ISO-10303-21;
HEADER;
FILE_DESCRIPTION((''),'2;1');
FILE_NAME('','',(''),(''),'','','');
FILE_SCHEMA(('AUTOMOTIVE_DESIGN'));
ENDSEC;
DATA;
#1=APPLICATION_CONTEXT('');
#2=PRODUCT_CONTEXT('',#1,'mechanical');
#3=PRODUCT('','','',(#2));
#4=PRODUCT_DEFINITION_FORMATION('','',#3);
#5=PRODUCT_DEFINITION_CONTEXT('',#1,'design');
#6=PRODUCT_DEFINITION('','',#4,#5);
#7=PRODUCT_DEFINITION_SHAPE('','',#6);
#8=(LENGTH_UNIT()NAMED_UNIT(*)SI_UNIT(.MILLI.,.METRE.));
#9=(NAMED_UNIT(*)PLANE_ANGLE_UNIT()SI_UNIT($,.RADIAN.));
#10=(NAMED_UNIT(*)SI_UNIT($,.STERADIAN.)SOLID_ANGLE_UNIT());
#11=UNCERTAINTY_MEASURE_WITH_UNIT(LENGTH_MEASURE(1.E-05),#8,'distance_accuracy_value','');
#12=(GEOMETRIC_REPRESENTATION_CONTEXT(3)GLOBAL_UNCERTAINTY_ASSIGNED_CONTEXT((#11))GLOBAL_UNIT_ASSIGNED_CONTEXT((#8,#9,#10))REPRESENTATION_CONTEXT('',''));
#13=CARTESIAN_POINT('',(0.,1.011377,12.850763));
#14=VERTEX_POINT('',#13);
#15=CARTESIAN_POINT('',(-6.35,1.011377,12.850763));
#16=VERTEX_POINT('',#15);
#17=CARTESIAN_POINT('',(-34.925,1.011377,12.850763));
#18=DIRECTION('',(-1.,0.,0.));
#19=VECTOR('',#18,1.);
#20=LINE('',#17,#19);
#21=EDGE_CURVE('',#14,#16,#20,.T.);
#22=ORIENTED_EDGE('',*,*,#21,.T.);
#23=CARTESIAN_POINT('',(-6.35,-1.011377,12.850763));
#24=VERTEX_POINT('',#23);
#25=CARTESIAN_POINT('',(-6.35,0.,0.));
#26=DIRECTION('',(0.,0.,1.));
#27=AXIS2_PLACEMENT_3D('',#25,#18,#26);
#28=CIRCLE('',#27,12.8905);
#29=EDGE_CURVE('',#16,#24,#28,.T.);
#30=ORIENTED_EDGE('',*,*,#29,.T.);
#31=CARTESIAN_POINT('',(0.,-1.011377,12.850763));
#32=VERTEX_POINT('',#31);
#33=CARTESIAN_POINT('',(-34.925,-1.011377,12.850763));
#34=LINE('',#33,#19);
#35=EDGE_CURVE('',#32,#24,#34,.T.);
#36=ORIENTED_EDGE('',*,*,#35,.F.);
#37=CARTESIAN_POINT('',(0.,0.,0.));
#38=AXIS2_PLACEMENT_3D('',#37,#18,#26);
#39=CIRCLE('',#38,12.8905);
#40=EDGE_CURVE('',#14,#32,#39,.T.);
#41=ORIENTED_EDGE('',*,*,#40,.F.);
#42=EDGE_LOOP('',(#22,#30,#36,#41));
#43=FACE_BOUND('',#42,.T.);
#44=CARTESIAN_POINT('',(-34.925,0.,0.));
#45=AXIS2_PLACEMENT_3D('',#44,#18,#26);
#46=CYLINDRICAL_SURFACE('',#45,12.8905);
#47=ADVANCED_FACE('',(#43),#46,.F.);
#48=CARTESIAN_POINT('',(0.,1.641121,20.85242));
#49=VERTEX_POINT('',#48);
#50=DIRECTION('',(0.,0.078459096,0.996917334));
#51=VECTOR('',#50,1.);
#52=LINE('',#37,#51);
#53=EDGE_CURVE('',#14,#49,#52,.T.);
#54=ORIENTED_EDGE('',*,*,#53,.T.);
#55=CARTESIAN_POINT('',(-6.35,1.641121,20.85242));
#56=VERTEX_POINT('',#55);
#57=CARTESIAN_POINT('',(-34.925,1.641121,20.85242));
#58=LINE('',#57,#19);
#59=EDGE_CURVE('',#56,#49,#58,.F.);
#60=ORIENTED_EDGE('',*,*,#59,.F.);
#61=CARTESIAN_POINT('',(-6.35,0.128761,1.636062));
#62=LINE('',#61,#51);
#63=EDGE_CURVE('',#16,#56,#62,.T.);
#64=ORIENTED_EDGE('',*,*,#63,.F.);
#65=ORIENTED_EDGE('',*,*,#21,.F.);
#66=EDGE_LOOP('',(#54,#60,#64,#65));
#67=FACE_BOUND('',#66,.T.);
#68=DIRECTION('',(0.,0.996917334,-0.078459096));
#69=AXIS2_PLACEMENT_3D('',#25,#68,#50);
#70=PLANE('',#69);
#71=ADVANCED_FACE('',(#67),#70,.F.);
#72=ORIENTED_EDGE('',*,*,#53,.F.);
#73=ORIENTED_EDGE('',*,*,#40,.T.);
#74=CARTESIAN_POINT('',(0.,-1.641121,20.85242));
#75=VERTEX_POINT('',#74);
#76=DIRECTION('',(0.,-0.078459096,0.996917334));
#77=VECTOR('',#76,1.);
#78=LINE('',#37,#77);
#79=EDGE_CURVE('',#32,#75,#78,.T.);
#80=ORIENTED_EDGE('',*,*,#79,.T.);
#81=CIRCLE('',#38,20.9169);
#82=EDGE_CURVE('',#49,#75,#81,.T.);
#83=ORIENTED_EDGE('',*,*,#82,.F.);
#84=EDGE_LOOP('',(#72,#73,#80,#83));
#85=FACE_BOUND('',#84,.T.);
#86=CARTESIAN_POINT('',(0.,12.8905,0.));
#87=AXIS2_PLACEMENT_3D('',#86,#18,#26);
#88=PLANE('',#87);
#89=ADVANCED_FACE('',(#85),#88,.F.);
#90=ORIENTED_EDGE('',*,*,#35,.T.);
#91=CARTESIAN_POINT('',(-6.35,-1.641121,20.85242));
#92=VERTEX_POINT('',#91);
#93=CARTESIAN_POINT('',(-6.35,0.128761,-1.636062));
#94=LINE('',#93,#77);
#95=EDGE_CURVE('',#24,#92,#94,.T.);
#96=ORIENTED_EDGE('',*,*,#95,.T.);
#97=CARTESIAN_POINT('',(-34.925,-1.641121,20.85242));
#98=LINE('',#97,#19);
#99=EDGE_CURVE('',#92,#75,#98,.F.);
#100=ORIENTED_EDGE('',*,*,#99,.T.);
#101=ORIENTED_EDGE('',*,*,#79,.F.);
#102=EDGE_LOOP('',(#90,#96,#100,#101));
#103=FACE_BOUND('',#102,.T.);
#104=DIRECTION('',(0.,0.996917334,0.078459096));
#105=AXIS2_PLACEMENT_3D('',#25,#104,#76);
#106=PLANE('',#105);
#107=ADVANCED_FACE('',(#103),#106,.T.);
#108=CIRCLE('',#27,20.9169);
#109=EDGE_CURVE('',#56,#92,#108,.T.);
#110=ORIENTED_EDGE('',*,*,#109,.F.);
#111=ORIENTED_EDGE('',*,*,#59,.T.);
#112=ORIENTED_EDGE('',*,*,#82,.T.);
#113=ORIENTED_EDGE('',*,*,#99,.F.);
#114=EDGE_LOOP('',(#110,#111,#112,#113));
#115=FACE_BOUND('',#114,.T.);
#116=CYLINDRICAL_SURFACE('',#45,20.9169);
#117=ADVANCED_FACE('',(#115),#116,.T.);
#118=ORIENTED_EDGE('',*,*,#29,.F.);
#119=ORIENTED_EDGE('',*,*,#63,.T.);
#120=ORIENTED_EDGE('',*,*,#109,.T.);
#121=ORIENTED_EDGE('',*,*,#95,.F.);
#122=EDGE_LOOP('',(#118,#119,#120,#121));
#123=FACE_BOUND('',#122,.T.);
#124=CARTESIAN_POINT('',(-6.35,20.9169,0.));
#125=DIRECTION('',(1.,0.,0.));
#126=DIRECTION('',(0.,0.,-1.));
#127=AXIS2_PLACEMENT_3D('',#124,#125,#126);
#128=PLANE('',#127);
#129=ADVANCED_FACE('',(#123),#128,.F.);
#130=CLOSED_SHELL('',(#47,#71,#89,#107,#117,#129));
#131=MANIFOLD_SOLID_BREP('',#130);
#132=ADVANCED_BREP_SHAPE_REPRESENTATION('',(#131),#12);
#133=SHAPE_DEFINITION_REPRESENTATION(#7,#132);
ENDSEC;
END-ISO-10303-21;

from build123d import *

# Parameters (mm, degrees)
SKETCH1_W = 6.35
SKETCH1_H = 8.0264
GAP_DEPTH = 31.254849384


with BuildPart() as part:
    # Sketch1 → Base-Revolve (revolve)
    with BuildSketch(Plane.XY, mode=Mode.PRIVATE) as base_revolve_sk:
        with Locations((-3.175, 16.9037)):
            Rectangle(SKETCH1_W, SKETCH1_H)
    revolve(base_revolve_sk.sketch.rotate(Axis((-34.925, 0, 0), (1, 0, 0)), 90), axis=Axis((-34.925, 0, 0), (1, 0, 0)))

    # Sketch2 → Gap (cut, through all)
    with BuildSketch(Plane(origin=(0, 0, 0), x_dir=(0, -1, 0), z_dir=(-1, 0, 0))):
        with BuildLine():
            Line((0, 0), (1.673943481, 21.269468582))
            ThreePointArc((1.673943481, 21.269468582), (0, 21.335238), (-1.673943481, 21.269468582))
            Line((-1.673943481, 21.269468582), (0, 0))
        make_face()
    extrude(amount=GAP_DEPTH, mode=Mode.SUBTRACT)


solid = part.part
